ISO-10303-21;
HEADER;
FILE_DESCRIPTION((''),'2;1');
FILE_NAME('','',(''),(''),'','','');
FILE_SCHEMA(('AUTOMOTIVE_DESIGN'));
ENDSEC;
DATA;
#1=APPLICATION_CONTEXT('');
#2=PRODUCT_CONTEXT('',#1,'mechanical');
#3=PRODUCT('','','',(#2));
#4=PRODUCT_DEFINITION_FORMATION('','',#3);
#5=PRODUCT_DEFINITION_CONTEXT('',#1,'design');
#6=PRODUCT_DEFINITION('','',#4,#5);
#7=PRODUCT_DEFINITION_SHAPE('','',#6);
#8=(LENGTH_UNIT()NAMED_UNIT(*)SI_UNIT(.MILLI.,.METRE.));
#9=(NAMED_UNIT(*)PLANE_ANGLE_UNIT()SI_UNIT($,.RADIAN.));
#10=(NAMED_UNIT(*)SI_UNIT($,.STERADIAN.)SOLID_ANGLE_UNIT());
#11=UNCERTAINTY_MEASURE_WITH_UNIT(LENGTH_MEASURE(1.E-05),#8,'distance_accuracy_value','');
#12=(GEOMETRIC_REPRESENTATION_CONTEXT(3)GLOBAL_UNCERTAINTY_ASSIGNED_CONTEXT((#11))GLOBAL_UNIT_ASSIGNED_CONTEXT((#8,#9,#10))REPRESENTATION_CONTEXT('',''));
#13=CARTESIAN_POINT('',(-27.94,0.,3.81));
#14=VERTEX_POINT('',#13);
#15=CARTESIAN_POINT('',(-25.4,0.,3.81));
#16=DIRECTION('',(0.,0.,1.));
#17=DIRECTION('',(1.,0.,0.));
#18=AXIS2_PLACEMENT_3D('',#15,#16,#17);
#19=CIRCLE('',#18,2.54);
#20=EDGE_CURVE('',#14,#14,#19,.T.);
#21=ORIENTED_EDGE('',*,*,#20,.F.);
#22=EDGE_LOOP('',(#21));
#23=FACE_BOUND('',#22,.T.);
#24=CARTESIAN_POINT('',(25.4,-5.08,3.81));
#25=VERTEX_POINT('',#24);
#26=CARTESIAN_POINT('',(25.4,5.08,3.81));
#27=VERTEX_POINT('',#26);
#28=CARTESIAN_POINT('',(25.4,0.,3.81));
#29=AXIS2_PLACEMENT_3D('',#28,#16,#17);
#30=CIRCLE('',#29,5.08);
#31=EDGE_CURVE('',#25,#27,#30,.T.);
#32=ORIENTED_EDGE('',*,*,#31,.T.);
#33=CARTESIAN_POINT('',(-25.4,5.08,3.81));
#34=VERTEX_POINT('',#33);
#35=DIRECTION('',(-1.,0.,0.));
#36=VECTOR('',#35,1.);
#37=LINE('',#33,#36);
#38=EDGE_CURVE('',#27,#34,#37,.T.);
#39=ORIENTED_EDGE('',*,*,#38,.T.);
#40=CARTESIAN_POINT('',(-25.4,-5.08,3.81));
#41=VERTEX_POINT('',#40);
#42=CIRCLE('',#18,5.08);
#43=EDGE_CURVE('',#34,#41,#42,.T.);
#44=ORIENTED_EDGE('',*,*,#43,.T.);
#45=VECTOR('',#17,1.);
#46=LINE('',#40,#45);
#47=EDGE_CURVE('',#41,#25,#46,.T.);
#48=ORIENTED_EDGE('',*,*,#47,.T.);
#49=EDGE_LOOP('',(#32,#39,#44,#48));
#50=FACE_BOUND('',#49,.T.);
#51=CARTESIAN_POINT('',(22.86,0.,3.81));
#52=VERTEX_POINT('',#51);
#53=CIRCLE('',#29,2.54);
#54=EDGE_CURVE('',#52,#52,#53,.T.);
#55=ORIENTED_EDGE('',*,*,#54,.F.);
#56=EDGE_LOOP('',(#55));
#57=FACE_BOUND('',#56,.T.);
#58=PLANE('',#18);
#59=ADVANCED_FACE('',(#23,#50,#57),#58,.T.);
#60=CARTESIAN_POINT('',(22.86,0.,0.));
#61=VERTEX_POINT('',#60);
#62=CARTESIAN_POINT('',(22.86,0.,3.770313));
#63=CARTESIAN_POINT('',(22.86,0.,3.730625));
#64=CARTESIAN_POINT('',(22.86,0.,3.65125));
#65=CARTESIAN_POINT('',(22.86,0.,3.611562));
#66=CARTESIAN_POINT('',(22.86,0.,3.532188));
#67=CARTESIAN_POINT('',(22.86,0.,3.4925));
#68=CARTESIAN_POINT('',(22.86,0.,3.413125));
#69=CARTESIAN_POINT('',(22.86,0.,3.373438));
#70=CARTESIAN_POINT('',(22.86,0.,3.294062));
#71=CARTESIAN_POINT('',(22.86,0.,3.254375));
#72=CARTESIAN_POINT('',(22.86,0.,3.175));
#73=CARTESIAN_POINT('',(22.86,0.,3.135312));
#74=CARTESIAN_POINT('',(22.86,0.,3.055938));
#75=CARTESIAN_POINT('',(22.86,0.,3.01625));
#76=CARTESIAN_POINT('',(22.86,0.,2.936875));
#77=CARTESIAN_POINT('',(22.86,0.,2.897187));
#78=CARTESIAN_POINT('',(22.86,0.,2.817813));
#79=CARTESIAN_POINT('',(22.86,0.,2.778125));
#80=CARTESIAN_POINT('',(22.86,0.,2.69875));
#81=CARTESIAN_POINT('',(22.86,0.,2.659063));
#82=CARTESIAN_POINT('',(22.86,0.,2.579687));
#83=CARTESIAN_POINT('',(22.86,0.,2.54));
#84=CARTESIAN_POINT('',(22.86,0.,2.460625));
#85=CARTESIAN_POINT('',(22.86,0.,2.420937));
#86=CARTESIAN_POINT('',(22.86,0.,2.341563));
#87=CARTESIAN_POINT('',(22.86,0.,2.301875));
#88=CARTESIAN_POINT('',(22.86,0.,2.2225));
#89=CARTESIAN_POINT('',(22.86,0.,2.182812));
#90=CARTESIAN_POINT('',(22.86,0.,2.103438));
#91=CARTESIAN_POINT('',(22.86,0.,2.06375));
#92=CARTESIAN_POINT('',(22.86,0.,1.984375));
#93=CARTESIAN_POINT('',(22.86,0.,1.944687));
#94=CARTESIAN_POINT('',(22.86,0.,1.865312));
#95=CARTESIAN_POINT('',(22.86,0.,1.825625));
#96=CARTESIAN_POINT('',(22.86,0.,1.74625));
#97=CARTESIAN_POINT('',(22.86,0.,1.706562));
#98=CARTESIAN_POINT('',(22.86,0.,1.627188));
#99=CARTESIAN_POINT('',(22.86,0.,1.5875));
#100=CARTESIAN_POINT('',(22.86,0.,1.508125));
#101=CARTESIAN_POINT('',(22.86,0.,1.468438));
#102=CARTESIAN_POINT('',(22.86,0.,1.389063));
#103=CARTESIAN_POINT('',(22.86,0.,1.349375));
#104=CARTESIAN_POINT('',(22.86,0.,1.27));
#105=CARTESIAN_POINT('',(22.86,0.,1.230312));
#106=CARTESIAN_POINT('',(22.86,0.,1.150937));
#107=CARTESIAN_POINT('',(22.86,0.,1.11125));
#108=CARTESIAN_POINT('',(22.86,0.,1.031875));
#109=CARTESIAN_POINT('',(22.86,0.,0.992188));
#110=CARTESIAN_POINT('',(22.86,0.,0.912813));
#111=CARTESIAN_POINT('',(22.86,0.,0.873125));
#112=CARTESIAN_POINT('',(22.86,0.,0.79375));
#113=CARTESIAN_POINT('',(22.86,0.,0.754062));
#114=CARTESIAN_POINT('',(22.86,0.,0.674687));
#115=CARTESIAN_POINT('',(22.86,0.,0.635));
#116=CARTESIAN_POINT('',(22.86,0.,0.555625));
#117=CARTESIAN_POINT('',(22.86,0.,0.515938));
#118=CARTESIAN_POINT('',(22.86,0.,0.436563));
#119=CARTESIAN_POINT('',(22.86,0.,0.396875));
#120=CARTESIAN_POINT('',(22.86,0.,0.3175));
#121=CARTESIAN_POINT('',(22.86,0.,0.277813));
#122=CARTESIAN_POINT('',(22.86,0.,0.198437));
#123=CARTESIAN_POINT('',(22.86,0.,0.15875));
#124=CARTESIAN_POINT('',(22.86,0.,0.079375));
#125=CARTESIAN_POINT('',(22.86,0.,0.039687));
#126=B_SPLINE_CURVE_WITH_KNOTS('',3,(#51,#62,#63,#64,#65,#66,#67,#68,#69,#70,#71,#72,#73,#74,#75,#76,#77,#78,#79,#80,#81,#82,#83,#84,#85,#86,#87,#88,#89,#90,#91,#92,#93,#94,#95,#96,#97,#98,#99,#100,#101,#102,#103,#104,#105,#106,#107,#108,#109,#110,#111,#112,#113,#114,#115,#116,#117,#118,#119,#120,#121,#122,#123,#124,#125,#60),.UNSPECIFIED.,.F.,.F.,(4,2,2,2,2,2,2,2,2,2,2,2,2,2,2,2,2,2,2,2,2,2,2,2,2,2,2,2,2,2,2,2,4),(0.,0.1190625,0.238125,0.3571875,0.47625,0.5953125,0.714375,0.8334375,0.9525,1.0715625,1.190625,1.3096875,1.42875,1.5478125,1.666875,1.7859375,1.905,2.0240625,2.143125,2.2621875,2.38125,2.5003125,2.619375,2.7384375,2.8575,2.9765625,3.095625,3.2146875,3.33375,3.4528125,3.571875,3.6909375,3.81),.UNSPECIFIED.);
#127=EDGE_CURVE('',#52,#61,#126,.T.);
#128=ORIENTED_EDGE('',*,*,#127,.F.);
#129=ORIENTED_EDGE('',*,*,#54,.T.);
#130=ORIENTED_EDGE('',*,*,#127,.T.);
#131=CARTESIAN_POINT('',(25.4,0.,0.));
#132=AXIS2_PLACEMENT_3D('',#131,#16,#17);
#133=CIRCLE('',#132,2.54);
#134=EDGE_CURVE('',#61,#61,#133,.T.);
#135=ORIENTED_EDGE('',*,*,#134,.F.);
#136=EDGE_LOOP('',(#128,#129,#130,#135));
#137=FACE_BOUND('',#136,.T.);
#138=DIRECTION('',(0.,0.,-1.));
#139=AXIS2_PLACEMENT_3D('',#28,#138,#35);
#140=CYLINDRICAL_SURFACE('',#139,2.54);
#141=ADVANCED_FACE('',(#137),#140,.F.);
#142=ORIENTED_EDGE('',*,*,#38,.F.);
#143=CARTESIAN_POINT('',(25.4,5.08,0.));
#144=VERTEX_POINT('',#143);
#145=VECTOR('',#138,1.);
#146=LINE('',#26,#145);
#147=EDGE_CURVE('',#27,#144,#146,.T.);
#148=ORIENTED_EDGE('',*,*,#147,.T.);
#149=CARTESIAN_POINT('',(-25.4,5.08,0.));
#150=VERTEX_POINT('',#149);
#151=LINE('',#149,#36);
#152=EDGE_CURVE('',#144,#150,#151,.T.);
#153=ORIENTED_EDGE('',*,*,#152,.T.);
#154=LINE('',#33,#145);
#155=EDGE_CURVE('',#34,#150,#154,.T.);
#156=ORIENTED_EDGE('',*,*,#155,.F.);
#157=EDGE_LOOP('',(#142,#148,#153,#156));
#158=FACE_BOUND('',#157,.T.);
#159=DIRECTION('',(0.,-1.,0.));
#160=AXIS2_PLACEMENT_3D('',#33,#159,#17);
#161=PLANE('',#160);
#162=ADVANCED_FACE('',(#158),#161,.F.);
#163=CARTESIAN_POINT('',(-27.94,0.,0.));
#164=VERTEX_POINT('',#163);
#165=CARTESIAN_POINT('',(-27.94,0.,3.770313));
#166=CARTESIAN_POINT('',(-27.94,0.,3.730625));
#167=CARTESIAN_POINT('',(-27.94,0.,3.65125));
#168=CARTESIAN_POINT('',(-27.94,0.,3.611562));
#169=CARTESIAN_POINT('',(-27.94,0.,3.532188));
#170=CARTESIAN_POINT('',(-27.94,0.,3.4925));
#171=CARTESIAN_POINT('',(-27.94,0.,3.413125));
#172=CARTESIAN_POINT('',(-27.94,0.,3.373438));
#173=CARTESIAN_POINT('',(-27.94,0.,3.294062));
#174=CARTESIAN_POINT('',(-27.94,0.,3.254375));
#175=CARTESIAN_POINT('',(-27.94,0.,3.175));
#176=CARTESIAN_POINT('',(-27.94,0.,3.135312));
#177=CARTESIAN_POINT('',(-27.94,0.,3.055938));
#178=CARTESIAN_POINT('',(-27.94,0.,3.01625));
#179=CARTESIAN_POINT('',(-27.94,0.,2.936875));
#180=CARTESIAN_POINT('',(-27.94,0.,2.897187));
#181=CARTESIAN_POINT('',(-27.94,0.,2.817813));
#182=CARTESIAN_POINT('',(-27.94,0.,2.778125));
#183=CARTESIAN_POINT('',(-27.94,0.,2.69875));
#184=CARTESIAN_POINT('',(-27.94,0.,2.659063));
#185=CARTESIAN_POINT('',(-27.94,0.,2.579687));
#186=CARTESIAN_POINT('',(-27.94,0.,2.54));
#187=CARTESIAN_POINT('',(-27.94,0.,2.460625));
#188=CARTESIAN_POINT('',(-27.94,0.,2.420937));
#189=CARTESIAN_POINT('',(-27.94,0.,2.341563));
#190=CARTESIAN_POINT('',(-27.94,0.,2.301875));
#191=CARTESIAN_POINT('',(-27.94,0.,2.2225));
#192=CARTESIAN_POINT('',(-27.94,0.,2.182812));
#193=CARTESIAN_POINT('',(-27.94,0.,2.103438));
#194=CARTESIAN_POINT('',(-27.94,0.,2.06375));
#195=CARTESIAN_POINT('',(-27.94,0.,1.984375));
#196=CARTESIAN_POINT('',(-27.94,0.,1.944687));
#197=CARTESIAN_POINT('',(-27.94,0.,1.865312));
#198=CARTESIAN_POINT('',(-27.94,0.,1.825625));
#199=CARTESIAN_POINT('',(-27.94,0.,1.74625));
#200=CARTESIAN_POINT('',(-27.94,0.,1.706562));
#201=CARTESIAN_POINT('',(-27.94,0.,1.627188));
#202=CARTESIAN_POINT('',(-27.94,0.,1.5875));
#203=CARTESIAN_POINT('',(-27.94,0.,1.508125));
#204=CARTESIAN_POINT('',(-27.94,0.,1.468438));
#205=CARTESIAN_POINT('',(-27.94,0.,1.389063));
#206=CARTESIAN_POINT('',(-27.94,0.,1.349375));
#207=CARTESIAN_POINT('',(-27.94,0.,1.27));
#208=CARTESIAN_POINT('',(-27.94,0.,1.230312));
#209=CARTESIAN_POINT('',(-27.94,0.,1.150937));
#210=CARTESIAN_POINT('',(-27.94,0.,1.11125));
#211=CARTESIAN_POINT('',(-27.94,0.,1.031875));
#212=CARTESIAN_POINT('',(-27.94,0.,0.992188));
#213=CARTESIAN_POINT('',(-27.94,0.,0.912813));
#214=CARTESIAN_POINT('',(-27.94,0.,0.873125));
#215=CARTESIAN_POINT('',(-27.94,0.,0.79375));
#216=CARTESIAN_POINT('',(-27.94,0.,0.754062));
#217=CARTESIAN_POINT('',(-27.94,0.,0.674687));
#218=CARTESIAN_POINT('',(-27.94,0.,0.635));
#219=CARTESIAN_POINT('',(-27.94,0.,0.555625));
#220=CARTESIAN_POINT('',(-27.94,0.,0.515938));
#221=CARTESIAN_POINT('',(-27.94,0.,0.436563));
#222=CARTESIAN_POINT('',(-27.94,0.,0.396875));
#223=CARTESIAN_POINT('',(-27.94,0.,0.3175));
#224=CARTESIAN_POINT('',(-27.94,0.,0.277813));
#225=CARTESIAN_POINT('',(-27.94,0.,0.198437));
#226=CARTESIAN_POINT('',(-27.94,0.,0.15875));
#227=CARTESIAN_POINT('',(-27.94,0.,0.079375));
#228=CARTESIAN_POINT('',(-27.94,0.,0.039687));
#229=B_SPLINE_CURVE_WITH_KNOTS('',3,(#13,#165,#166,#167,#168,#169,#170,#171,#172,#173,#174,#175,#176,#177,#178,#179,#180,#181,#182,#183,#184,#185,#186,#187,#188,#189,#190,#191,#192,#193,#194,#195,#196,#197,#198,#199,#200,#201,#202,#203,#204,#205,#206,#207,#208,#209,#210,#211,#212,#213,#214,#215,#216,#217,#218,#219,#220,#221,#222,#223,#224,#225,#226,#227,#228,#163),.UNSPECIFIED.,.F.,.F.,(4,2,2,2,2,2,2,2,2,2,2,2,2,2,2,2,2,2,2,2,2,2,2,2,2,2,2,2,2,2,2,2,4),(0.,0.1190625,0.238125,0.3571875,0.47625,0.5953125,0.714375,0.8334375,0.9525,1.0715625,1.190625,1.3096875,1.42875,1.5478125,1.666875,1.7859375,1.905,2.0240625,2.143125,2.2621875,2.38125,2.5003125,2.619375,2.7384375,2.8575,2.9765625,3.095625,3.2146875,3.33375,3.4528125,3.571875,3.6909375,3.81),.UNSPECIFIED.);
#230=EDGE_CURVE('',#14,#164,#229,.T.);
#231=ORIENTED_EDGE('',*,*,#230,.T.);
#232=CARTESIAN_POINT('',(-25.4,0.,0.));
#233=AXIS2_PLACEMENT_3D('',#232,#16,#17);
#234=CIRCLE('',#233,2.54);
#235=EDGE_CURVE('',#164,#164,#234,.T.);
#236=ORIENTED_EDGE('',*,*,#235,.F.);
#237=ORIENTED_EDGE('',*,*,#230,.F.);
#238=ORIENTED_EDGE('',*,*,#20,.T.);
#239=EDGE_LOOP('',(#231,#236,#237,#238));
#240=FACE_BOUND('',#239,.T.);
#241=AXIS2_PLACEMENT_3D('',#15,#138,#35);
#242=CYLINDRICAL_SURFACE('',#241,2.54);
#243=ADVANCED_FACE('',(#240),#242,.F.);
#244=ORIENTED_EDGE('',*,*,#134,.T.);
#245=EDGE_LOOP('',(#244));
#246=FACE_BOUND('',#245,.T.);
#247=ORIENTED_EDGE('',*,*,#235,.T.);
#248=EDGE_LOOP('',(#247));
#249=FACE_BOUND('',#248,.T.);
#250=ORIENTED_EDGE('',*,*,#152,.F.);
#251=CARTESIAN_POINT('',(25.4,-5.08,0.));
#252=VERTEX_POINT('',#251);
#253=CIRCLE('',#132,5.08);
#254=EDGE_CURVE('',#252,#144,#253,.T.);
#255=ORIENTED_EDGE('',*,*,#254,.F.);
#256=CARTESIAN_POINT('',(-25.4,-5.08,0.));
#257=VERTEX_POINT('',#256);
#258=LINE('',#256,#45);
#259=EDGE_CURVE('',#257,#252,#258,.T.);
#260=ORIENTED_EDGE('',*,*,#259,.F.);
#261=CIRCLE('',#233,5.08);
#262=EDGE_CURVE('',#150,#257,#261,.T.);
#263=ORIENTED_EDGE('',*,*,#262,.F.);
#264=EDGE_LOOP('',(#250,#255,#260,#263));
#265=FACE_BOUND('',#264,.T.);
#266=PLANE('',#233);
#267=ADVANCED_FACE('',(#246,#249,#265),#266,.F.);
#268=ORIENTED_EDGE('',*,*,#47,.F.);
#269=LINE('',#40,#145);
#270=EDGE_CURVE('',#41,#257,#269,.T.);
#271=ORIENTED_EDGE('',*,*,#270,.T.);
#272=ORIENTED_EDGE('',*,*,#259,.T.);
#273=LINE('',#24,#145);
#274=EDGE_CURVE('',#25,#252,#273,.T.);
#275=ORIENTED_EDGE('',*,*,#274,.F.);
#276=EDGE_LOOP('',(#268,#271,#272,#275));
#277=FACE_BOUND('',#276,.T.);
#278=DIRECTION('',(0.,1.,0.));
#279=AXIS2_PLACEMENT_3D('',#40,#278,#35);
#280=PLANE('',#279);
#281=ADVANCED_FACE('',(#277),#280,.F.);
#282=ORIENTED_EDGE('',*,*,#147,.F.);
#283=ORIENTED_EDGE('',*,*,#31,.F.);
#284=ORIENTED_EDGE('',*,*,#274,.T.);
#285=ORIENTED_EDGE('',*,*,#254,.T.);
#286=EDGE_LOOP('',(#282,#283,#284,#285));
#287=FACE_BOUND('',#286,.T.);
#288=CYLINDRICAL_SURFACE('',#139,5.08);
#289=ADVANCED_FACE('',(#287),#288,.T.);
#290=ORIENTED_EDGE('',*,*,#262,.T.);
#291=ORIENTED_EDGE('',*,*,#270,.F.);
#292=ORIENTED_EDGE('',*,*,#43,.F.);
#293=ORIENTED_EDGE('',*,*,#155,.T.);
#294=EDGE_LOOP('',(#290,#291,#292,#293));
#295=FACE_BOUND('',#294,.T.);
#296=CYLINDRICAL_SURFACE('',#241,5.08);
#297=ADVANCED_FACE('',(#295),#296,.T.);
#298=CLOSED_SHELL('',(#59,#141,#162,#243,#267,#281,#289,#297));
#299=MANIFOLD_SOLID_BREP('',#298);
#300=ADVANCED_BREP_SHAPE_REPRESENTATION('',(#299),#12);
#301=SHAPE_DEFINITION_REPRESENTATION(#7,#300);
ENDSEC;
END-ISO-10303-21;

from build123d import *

# Parameters (mm, degrees)
SKETCH1_R           = 2.54
BOSS_EXTRUDE1_DEPTH = 3.81


with BuildPart() as part:
    # Sketch1 → Boss-Extrude1 (new body)
    with BuildSketch(Plane.XY):
        with BuildLine():
            Line((-25.4, 5.08), (25.4, 5.08))
            ThreePointArc((25.4, 5.08), (30.48, 0), (25.4, -5.08))
            Line((25.4, -5.08), (-25.4, -5.08))
            ThreePointArc((-25.4, -5.08), (-30.48, 0), (-25.4, 5.08))
        make_face()
        with Locations(Location((-25.4, 0, 0), (0, 0, 180))):
            Circle(SKETCH1_R, mode=Mode.SUBTRACT)
        with Locations(Location((25.4, 0, 0), (0, 0, 180))):
            Circle(SKETCH1_R, mode=Mode.SUBTRACT)
    extrude(amount=BOSS_EXTRUDE1_DEPTH)


solid = part.part
